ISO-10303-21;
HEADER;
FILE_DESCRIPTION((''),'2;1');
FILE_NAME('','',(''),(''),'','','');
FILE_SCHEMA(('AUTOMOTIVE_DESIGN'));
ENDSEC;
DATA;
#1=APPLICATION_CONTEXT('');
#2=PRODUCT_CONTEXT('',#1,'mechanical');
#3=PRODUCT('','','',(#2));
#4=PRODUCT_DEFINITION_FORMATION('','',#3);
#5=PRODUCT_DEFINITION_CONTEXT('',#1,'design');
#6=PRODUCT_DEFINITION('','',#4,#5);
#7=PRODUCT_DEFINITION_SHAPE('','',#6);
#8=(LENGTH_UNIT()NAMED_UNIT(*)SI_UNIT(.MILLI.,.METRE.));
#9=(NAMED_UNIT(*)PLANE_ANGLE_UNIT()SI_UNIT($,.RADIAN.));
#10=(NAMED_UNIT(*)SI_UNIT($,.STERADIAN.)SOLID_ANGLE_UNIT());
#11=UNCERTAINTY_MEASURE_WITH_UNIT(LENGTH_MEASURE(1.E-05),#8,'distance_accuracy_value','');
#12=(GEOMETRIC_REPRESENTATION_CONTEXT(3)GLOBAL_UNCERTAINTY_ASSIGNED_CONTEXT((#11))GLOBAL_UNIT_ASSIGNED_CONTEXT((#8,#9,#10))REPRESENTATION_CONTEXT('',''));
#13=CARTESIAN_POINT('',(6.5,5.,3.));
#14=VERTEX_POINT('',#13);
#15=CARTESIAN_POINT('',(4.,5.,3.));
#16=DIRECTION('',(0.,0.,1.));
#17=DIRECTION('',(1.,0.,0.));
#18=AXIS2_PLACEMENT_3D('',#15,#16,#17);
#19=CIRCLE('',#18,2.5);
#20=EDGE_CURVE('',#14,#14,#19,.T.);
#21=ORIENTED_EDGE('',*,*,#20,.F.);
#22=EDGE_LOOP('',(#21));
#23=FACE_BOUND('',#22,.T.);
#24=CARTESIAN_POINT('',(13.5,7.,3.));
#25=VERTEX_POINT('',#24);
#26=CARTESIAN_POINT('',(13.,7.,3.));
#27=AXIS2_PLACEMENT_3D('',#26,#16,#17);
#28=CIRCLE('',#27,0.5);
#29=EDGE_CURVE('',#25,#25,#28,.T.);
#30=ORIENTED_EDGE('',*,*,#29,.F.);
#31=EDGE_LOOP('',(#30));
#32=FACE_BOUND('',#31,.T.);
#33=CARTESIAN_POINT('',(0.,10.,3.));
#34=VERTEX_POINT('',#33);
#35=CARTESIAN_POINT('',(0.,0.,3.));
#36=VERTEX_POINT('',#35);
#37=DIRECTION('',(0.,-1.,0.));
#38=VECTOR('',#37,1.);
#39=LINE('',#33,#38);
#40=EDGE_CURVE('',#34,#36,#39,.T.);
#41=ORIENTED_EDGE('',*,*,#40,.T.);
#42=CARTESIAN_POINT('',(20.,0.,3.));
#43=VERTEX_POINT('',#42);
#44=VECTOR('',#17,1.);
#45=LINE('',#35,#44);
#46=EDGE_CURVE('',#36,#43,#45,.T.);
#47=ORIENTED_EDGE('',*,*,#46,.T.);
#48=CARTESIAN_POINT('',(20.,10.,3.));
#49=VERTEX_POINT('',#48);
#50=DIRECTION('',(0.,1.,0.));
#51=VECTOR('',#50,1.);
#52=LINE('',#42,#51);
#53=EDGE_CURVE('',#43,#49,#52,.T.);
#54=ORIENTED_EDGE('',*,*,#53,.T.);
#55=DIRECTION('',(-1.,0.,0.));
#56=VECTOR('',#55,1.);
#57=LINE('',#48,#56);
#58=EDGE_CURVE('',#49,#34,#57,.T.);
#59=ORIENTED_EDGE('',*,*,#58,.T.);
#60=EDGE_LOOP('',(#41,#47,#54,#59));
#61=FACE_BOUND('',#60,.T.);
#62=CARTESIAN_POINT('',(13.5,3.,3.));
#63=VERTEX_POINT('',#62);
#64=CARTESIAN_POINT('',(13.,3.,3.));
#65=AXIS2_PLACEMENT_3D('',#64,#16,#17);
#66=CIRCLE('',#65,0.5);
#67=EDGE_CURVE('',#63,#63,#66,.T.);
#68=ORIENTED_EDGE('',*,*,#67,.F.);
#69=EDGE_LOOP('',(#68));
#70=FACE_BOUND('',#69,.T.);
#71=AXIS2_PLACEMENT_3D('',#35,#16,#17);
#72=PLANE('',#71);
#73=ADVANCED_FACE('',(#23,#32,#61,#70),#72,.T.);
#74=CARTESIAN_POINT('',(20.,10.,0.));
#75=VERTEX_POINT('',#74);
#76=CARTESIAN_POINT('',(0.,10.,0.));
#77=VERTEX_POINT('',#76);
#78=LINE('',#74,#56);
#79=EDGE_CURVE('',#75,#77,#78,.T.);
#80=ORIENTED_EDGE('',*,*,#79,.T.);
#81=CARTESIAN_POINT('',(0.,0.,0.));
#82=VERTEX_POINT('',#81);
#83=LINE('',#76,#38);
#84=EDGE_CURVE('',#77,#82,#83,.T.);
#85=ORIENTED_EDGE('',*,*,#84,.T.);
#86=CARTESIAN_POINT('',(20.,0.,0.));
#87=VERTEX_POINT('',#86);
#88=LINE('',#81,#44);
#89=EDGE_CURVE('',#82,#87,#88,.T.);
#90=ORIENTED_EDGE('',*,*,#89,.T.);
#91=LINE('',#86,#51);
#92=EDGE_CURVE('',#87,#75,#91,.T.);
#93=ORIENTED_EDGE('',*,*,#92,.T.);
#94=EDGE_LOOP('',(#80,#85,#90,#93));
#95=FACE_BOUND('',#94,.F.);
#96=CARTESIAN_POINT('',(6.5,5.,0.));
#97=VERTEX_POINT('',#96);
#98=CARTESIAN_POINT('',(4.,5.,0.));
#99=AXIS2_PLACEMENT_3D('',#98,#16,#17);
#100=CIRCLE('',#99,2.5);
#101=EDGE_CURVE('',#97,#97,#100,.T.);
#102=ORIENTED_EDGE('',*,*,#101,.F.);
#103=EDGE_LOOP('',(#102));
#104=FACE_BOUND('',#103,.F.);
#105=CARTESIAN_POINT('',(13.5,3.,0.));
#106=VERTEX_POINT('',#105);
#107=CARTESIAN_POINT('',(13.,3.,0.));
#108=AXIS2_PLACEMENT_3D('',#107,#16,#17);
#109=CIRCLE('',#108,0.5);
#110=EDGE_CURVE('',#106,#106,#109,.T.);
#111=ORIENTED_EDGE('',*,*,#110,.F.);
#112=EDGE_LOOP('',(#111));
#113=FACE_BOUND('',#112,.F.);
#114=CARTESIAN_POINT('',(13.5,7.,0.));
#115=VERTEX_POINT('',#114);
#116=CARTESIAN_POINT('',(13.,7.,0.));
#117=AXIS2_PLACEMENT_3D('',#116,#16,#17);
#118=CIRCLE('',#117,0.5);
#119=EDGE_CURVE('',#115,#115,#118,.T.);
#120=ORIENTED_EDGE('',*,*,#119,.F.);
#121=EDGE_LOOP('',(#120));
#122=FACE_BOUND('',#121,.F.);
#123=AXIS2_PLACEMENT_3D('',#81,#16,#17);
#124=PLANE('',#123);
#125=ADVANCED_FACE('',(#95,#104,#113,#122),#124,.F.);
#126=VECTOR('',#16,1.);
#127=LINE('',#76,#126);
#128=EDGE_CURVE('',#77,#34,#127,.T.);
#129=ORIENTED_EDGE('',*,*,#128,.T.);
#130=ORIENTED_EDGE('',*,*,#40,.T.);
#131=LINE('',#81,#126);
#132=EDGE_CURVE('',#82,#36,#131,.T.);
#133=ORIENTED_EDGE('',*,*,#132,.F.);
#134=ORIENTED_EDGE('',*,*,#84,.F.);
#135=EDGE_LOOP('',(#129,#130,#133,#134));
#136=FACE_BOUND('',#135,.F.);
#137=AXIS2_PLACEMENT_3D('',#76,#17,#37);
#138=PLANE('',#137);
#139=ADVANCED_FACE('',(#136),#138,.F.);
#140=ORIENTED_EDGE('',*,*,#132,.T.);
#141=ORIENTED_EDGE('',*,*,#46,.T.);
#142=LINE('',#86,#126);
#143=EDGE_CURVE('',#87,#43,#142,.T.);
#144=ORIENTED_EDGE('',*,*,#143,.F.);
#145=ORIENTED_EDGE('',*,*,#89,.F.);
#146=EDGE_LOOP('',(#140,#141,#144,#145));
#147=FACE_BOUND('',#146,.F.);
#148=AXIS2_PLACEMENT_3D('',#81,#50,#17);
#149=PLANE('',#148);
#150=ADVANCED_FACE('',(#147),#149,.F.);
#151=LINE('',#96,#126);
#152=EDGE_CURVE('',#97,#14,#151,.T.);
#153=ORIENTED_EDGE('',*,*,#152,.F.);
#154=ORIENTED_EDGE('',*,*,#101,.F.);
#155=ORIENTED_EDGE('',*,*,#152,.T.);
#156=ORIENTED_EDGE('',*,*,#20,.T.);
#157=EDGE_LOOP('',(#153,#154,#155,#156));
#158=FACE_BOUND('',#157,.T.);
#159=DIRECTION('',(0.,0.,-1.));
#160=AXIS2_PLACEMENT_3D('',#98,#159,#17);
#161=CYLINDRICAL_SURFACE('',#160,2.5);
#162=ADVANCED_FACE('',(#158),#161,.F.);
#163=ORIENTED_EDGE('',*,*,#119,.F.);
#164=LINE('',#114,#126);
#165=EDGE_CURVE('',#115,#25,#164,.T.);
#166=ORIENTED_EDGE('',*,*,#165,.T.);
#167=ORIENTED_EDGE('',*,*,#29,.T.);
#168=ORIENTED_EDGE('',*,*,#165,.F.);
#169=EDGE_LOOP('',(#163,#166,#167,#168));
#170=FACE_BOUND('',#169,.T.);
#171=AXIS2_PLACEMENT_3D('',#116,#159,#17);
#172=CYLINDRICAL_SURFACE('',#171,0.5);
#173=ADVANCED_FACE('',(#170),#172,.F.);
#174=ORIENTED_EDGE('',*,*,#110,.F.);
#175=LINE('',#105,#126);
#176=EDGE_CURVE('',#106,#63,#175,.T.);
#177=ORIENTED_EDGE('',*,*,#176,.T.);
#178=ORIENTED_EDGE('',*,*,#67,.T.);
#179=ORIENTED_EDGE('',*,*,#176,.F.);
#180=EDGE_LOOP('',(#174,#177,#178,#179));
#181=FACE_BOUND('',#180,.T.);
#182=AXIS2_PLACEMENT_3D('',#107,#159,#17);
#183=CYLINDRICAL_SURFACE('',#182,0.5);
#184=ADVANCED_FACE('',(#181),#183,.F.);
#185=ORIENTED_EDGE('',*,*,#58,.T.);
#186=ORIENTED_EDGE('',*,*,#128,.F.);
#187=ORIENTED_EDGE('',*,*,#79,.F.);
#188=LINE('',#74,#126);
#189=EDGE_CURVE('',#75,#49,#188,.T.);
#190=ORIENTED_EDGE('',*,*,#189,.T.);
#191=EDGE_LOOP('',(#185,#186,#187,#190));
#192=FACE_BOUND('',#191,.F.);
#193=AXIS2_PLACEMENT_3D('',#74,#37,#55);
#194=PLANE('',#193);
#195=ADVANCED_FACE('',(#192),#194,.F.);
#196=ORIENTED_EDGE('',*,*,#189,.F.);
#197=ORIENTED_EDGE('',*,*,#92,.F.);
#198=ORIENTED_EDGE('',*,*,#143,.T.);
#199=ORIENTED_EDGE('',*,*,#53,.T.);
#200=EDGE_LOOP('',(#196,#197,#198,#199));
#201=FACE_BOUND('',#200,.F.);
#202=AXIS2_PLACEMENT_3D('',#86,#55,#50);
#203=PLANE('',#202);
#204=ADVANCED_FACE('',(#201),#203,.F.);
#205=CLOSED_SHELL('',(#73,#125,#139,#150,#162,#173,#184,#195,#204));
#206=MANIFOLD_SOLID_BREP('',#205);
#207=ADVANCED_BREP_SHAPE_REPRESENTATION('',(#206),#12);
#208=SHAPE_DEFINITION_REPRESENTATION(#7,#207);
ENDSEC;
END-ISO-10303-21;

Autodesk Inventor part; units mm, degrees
ref_plane "YZ Plane" through (0, 0, 0) normal (1, 0, 0) x (0, 1, 0)
ref_plane "XZ Plane" through (0, 0, 0) normal (0, 1, 0) x (-1, 0, 0)
ref_plane "XY Plane" through (0, 0, 0) normal (0, 0, 1) x (1, 0, 0)
sketch "Sketch1" plane through (0, 0, 0) normal (0, 0, 1) x (1, 0, 0)
  line L0 (0, 0) -> (20, 0)
  line L1 (20, 0) -> (20, 10)
  line L2 (20, 10) -> (0, 10)
  line L3 (0, 10) -> (0, 0)
  circle A0 centre (4, 5) radius 2.5
  circle A1 centre (13, 3) radius 0.5
  circle A2 centre (13, 7) radius 0.5
  point P0 (0, 5)
  dimension "d0" = 20
  dimension "d1" = 10
  dimension "d3" = 5
  dimension "d4" = 4
  dimension "d7" = 1
  dimension "d8" = 1
  dimension "d9" = 4
  dimension "d10" = 3
  dimension "d11" = 13
extrude "Extrusión1" add sketch "Sketch1" along normal blind 3
